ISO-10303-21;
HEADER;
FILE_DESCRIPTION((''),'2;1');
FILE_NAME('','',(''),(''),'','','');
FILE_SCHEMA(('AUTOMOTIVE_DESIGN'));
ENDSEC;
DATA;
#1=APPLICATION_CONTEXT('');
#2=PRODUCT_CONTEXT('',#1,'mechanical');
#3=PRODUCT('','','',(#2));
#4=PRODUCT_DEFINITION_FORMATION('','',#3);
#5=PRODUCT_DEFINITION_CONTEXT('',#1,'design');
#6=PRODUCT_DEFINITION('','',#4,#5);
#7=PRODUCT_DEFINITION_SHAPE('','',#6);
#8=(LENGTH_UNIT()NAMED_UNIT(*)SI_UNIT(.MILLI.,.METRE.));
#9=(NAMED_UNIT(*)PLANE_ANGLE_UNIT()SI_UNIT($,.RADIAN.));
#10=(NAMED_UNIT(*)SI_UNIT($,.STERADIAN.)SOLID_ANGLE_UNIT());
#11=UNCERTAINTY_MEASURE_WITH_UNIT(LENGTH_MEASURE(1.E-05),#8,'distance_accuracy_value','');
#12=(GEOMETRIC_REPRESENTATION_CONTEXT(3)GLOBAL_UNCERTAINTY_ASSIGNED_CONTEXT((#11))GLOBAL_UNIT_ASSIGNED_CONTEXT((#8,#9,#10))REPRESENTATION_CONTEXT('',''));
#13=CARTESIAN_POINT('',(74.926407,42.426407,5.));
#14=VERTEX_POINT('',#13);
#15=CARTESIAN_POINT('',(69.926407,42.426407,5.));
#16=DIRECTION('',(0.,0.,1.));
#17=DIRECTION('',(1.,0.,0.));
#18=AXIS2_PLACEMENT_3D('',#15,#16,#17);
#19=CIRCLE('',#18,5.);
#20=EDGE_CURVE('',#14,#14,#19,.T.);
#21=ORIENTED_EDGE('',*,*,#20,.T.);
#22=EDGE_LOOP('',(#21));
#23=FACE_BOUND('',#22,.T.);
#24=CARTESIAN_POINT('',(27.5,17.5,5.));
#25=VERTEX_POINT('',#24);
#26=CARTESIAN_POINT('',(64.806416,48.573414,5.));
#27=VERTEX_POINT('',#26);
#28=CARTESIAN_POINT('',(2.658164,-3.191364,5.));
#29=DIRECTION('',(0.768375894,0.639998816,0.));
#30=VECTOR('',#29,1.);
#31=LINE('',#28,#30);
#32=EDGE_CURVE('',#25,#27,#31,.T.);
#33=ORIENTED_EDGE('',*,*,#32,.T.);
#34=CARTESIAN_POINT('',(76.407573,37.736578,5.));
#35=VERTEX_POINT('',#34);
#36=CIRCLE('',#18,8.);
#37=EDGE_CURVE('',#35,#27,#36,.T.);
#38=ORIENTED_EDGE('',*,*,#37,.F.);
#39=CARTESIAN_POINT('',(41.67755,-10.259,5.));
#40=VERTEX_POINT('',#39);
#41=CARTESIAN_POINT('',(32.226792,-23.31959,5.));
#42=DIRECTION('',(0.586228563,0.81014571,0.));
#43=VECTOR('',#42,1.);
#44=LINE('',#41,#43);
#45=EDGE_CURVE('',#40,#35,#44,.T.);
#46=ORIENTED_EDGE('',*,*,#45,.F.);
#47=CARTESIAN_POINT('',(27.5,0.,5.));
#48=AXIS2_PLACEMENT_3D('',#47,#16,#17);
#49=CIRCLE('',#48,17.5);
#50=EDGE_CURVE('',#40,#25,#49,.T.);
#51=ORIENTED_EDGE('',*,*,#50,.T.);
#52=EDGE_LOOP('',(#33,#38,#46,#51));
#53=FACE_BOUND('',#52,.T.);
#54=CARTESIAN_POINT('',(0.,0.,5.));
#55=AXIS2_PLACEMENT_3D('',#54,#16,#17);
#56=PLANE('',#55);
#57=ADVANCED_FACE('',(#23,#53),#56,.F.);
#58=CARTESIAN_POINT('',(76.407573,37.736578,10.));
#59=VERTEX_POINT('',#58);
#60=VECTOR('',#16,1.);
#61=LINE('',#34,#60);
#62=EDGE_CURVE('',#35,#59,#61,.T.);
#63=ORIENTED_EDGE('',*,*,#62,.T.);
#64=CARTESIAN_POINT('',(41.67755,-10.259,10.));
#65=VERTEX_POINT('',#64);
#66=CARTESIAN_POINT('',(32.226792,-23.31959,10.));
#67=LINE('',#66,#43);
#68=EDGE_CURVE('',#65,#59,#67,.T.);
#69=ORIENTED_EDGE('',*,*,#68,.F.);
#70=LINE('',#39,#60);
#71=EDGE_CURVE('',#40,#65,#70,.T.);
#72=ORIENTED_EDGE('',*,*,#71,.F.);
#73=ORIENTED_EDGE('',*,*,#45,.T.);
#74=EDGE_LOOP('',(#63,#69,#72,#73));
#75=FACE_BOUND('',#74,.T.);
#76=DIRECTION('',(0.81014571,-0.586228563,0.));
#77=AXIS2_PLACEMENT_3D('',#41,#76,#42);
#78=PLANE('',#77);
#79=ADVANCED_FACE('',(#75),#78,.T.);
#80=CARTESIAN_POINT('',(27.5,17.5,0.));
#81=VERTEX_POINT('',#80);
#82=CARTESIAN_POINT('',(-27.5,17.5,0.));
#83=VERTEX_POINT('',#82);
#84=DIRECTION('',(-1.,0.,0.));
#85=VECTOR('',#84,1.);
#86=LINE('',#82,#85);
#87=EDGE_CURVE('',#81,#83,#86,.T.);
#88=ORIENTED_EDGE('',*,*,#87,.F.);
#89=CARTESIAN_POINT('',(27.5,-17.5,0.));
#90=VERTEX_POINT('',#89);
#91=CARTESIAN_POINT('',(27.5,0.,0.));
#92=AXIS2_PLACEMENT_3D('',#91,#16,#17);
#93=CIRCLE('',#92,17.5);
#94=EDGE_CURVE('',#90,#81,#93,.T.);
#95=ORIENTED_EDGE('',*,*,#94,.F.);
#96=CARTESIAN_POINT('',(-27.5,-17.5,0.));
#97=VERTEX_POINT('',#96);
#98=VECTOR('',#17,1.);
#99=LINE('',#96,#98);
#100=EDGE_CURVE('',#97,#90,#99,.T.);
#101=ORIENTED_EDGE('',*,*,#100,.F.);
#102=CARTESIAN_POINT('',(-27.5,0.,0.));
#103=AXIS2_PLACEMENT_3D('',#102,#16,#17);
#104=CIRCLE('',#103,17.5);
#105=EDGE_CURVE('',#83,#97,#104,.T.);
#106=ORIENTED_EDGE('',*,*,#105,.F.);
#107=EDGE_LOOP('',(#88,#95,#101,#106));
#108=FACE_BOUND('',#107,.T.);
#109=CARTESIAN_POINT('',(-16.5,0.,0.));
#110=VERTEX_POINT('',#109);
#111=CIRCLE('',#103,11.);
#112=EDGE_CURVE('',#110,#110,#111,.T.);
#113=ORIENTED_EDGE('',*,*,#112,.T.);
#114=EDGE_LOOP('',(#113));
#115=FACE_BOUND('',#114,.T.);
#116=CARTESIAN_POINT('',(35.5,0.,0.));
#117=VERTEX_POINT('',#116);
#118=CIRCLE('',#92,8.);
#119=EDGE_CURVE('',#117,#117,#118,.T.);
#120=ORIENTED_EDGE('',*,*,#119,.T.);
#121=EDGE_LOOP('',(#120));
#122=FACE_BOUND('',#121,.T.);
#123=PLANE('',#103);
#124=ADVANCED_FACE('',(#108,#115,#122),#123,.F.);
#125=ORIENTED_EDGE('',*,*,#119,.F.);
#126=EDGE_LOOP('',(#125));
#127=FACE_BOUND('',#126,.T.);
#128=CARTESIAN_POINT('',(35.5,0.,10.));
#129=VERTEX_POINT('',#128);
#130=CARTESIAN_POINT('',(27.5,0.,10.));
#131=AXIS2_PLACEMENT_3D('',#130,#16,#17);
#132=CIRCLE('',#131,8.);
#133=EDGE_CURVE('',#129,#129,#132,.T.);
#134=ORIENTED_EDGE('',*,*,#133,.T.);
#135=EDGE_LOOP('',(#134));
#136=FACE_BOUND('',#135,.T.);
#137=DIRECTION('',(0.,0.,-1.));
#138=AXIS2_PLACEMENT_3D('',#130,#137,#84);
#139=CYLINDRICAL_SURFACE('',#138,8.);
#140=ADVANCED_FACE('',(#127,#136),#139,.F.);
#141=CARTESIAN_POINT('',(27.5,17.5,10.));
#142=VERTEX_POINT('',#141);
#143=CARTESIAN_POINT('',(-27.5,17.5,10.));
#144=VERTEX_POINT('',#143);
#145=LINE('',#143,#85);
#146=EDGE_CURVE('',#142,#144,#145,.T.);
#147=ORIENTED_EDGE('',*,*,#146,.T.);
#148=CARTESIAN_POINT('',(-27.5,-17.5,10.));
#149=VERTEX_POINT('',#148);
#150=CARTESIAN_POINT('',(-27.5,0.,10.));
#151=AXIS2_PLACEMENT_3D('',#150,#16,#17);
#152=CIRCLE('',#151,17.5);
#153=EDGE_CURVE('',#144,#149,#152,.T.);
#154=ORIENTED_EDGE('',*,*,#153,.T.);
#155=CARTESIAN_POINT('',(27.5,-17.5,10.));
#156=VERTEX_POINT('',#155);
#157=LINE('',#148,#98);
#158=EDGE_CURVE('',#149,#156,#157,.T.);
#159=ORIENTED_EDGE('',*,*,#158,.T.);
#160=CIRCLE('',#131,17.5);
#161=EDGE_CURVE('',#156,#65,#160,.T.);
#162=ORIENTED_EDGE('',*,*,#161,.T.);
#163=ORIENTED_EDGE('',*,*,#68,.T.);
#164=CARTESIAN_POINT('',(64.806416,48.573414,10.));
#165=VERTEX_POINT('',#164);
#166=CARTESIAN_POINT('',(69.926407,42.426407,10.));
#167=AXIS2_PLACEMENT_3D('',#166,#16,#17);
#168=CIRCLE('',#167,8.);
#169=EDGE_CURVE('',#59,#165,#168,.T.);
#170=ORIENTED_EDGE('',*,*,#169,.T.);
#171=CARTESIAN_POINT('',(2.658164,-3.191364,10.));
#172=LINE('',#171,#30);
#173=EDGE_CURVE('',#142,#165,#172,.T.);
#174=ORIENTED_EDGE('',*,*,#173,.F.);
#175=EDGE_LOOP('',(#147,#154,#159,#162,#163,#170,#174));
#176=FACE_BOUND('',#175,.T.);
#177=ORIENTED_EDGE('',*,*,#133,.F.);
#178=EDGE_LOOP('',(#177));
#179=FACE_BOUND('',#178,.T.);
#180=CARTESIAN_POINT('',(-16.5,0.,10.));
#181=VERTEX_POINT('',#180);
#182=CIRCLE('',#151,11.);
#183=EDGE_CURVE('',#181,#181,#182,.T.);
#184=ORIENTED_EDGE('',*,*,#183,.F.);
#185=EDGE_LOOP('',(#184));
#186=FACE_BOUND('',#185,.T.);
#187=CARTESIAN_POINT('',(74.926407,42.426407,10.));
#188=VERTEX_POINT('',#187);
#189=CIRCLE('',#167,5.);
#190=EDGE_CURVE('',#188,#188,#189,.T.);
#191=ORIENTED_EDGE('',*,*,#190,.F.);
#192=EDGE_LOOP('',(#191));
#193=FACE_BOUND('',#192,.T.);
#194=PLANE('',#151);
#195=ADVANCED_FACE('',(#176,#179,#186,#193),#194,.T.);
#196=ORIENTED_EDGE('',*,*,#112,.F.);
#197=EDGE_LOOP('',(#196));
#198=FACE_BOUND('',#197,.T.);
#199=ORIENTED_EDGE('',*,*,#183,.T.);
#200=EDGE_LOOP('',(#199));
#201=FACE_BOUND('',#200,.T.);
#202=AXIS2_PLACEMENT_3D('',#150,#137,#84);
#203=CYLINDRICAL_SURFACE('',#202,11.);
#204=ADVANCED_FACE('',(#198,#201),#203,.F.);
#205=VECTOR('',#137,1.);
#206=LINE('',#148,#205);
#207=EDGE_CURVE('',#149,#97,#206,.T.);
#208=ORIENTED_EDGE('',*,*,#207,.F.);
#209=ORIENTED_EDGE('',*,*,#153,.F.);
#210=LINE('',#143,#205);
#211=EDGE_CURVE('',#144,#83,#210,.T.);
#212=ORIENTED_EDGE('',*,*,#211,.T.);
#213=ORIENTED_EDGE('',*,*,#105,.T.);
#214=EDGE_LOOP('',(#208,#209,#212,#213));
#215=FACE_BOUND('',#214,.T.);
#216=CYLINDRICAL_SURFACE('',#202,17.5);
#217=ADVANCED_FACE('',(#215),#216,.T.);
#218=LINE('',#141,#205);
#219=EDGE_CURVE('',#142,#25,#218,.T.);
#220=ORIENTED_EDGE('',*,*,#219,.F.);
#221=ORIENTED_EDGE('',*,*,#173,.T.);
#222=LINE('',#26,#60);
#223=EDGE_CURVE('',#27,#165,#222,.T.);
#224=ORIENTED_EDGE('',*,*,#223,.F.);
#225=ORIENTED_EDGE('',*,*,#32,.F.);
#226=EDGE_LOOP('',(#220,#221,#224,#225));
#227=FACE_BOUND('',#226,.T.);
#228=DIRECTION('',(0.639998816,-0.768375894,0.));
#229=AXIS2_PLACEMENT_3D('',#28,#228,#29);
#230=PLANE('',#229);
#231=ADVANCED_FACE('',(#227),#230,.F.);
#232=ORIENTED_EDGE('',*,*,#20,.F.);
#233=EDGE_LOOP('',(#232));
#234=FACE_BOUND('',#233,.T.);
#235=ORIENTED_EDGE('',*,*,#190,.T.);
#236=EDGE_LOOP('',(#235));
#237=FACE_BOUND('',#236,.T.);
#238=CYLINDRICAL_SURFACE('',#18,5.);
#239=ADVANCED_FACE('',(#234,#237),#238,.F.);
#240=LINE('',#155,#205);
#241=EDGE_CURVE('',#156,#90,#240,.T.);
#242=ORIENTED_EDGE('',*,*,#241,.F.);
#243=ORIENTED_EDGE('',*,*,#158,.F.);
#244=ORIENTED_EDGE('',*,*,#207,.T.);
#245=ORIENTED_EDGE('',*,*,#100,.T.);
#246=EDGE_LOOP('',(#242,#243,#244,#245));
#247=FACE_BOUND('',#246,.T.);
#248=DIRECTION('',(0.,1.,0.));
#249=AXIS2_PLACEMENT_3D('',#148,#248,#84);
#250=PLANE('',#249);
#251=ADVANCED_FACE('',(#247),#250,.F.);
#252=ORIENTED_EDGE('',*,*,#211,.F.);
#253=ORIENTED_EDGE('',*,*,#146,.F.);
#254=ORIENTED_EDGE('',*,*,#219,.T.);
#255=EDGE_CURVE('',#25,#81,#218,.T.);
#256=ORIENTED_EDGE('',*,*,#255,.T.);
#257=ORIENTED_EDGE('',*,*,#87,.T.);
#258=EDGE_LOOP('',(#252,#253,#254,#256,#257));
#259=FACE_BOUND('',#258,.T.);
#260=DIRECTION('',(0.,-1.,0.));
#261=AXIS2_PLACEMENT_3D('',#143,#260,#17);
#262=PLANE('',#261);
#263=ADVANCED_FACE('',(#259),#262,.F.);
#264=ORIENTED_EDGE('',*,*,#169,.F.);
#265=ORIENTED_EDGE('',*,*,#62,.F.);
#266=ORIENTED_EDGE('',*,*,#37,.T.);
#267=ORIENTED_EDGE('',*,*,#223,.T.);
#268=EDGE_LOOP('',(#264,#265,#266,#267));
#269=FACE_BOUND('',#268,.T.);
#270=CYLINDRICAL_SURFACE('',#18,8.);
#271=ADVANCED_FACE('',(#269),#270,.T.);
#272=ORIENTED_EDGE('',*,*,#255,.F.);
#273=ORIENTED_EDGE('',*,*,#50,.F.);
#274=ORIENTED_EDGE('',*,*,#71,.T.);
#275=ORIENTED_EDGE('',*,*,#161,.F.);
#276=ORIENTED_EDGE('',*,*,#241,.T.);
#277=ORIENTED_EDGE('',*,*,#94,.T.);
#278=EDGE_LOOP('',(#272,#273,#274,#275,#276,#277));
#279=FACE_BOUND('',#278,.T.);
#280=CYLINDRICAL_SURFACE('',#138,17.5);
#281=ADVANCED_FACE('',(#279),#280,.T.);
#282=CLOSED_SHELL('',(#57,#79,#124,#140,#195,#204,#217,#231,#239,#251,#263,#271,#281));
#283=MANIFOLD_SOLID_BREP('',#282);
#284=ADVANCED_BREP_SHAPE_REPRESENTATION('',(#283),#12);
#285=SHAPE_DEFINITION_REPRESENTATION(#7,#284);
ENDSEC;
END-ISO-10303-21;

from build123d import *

# Parameters (mm, degrees)
SKETCH_1_R      = 11
SKETCH_1_R_2    = 8
EXTRUDE_1_DEPTH = 10
EXTRUDE_START   = -5
SKETCH_2_R      = 8
SKETCH_2_R_2    = 5
EXTRUDE_2_DEPTH = 5


with BuildPart() as part:
    # Эскиз1 → Бобышка-Вытянуть1 (new body)
    with BuildSketch(Plane.XY):
        with BuildLine():
            Line((-27.5, 17.5), (27.5, 17.5))
            ThreePointArc((27.5, 17.5), (45, 0), (27.5, -17.5))
            Line((27.5, -17.5), (-27.5, -17.5))
            ThreePointArc((-27.5, -17.5), (-45, 0), (-27.5, 17.5))
        make_face()
        with Locations((-27.5, 0)):
            Circle(SKETCH_1_R, mode=Mode.SUBTRACT)
        with Locations((27.5, 0)):
            Circle(SKETCH_1_R_2, mode=Mode.SUBTRACT)
    extrude(amount=EXTRUDE_1_DEPTH)

    # Эскиз2 → Бобышка-Вытянуть2 (add)
    # profile 1 of 2: a face of its own
    with BuildSketch(Plane.XY.offset(10).offset(EXTRUDE_START)):
        with BuildLine():
            ThreePointArc((27.5, 17.5), (43.084968678, 7.959821059), (41.677549931, -10.258999852))
            Line((41.677549931, -10.258999852), (76.407572554, 37.736578368))
            ThreePointArc((76.407572554, 37.736578368), (64.46541326, 36.580250119), (64.806416341, 48.573414027))
            Line((64.806416341, 48.573414027), (27.5, 17.5))
        make_face()
    # profile 2 of 2: a face of its own
    with BuildSketch(Plane.XY.offset(10).offset(EXTRUDE_START)):
        with Locations((69.926406871, 42.426406871)):
            Circle(SKETCH_2_R)
        with Locations((69.926406871, 42.426406871)):
            Circle(SKETCH_2_R_2, mode=Mode.SUBTRACT)
    extrude(amount=EXTRUDE_2_DEPTH)


solid = part.part
